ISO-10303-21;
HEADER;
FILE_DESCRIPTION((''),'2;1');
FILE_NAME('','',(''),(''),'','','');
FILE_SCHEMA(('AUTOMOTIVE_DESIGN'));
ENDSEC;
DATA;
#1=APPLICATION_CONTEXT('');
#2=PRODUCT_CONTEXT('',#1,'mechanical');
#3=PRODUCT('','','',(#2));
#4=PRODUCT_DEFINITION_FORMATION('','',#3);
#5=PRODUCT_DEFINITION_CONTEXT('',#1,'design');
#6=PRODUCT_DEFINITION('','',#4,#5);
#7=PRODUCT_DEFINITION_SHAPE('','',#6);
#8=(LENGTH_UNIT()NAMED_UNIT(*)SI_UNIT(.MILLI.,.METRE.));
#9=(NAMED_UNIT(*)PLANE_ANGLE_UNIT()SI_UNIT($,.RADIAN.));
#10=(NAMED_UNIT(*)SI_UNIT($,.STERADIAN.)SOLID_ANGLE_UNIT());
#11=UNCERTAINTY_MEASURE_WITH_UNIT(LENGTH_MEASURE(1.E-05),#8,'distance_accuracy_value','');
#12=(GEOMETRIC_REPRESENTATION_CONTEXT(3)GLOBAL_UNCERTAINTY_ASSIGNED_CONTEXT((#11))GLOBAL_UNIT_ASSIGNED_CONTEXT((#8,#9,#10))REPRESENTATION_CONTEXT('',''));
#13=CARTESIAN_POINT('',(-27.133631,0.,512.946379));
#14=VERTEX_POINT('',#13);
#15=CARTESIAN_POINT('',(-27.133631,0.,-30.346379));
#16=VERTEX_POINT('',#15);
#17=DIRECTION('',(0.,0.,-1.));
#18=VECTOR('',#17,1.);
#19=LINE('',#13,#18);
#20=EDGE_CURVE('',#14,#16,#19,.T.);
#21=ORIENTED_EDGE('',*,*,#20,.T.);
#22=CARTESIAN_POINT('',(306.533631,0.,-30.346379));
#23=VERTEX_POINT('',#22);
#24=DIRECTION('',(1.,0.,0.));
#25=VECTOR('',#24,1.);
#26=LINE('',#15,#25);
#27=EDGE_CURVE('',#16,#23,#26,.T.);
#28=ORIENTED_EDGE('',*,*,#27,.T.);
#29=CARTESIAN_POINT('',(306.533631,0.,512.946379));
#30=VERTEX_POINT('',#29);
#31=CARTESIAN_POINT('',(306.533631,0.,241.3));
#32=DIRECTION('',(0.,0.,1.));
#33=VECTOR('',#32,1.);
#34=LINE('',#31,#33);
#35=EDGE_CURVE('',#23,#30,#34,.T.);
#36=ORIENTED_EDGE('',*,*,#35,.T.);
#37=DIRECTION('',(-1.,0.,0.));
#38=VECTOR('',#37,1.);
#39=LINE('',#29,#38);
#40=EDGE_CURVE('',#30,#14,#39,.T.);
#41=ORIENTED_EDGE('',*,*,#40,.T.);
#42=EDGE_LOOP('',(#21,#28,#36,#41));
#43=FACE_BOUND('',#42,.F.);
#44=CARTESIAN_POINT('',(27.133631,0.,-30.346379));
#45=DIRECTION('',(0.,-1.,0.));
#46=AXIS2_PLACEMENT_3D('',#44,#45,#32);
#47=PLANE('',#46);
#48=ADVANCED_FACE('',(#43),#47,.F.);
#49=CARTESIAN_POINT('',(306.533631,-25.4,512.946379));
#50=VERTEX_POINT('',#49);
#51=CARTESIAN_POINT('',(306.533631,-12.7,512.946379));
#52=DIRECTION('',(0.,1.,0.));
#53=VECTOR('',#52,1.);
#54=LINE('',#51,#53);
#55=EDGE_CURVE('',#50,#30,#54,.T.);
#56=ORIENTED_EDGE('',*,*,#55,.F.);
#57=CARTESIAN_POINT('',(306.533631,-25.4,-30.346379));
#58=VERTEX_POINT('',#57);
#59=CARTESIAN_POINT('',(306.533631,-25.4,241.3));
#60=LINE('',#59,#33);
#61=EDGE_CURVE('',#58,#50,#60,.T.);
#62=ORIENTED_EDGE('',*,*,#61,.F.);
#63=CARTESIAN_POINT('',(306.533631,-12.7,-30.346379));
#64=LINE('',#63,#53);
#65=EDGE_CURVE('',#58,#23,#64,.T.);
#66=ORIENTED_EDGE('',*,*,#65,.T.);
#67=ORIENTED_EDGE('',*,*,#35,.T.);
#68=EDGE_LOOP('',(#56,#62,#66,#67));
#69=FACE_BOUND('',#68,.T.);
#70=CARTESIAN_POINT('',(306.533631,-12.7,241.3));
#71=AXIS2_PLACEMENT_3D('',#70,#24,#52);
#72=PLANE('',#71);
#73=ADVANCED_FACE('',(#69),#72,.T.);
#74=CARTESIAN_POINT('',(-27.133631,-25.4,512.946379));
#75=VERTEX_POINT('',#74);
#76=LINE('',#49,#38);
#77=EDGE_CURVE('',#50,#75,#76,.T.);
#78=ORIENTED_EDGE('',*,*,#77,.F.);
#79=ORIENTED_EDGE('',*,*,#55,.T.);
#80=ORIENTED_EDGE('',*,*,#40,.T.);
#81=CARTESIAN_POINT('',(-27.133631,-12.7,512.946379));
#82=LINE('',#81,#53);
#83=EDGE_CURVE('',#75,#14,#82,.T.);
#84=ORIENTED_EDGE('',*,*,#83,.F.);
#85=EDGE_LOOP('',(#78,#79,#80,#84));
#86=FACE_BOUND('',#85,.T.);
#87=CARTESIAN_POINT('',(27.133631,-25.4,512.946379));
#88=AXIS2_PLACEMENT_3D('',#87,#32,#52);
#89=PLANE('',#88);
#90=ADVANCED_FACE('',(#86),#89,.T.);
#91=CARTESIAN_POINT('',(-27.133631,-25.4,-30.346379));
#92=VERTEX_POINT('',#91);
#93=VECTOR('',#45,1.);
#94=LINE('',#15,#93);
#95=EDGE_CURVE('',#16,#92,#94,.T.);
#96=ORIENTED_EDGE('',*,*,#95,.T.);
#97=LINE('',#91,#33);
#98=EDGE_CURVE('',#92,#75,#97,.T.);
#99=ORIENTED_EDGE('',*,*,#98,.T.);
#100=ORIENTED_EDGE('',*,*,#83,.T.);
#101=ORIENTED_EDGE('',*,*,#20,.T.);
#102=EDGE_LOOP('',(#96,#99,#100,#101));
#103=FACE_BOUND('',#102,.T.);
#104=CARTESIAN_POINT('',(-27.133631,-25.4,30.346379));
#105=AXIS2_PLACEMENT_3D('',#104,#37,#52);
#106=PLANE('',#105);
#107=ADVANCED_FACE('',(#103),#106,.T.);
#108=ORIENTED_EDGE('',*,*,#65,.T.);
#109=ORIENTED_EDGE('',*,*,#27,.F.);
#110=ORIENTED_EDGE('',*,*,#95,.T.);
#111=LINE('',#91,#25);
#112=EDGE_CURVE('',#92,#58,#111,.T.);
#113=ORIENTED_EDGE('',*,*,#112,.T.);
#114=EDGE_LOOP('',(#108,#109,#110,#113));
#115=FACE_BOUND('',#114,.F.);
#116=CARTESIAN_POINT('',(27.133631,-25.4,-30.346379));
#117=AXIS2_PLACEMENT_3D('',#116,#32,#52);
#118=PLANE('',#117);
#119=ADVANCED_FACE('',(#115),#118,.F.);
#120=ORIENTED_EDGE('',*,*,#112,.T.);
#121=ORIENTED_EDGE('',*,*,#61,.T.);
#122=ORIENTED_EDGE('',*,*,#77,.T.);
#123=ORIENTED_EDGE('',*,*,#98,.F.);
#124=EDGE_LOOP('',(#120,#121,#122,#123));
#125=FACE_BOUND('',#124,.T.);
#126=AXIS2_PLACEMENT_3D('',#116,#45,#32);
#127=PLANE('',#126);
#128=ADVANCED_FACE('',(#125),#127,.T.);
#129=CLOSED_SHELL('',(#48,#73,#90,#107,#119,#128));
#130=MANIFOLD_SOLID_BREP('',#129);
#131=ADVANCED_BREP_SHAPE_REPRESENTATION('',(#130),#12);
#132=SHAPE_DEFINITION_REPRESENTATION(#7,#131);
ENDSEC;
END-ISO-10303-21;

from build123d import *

# Parameters (mm, degrees)
F0_W      = 54.267262
F0_H      = 60.692758
F1_DEPTH  = 25.4
F1_FACE_W = 54.267262
F1_FACE_H = 25.4
F2_DEPTH  = 482.6
F2_FACE_W = 25.4
F2_FACE_H = 543.292758
F3_DEPTH  = 279.4


with BuildPart() as f1:
    # F0 (on Front) → F1 (new body)
    with BuildSketch(Plane.XZ):
        Rectangle(F0_W, F0_H)
    extrude(amount=F1_DEPTH)

    # F1_face (on face) → F2 (join)
    with BuildSketch(Plane(origin=(0, -12.7, 30.346379), x_dir=(1, 0, 0), z_dir=(0, 0, 1))):
        Rectangle(F1_FACE_W, F1_FACE_H)
    extrude(amount=F2_DEPTH)

    # F2_face (on face) → F3 (join)
    with BuildSketch(Plane(origin=(27.133631, -12.7, 241.3), x_dir=(0, 1, 0), z_dir=(1, 0, 0))):
        Rectangle(F2_FACE_W, F2_FACE_H)
    extrude(amount=F3_DEPTH)


solid = f1.part
